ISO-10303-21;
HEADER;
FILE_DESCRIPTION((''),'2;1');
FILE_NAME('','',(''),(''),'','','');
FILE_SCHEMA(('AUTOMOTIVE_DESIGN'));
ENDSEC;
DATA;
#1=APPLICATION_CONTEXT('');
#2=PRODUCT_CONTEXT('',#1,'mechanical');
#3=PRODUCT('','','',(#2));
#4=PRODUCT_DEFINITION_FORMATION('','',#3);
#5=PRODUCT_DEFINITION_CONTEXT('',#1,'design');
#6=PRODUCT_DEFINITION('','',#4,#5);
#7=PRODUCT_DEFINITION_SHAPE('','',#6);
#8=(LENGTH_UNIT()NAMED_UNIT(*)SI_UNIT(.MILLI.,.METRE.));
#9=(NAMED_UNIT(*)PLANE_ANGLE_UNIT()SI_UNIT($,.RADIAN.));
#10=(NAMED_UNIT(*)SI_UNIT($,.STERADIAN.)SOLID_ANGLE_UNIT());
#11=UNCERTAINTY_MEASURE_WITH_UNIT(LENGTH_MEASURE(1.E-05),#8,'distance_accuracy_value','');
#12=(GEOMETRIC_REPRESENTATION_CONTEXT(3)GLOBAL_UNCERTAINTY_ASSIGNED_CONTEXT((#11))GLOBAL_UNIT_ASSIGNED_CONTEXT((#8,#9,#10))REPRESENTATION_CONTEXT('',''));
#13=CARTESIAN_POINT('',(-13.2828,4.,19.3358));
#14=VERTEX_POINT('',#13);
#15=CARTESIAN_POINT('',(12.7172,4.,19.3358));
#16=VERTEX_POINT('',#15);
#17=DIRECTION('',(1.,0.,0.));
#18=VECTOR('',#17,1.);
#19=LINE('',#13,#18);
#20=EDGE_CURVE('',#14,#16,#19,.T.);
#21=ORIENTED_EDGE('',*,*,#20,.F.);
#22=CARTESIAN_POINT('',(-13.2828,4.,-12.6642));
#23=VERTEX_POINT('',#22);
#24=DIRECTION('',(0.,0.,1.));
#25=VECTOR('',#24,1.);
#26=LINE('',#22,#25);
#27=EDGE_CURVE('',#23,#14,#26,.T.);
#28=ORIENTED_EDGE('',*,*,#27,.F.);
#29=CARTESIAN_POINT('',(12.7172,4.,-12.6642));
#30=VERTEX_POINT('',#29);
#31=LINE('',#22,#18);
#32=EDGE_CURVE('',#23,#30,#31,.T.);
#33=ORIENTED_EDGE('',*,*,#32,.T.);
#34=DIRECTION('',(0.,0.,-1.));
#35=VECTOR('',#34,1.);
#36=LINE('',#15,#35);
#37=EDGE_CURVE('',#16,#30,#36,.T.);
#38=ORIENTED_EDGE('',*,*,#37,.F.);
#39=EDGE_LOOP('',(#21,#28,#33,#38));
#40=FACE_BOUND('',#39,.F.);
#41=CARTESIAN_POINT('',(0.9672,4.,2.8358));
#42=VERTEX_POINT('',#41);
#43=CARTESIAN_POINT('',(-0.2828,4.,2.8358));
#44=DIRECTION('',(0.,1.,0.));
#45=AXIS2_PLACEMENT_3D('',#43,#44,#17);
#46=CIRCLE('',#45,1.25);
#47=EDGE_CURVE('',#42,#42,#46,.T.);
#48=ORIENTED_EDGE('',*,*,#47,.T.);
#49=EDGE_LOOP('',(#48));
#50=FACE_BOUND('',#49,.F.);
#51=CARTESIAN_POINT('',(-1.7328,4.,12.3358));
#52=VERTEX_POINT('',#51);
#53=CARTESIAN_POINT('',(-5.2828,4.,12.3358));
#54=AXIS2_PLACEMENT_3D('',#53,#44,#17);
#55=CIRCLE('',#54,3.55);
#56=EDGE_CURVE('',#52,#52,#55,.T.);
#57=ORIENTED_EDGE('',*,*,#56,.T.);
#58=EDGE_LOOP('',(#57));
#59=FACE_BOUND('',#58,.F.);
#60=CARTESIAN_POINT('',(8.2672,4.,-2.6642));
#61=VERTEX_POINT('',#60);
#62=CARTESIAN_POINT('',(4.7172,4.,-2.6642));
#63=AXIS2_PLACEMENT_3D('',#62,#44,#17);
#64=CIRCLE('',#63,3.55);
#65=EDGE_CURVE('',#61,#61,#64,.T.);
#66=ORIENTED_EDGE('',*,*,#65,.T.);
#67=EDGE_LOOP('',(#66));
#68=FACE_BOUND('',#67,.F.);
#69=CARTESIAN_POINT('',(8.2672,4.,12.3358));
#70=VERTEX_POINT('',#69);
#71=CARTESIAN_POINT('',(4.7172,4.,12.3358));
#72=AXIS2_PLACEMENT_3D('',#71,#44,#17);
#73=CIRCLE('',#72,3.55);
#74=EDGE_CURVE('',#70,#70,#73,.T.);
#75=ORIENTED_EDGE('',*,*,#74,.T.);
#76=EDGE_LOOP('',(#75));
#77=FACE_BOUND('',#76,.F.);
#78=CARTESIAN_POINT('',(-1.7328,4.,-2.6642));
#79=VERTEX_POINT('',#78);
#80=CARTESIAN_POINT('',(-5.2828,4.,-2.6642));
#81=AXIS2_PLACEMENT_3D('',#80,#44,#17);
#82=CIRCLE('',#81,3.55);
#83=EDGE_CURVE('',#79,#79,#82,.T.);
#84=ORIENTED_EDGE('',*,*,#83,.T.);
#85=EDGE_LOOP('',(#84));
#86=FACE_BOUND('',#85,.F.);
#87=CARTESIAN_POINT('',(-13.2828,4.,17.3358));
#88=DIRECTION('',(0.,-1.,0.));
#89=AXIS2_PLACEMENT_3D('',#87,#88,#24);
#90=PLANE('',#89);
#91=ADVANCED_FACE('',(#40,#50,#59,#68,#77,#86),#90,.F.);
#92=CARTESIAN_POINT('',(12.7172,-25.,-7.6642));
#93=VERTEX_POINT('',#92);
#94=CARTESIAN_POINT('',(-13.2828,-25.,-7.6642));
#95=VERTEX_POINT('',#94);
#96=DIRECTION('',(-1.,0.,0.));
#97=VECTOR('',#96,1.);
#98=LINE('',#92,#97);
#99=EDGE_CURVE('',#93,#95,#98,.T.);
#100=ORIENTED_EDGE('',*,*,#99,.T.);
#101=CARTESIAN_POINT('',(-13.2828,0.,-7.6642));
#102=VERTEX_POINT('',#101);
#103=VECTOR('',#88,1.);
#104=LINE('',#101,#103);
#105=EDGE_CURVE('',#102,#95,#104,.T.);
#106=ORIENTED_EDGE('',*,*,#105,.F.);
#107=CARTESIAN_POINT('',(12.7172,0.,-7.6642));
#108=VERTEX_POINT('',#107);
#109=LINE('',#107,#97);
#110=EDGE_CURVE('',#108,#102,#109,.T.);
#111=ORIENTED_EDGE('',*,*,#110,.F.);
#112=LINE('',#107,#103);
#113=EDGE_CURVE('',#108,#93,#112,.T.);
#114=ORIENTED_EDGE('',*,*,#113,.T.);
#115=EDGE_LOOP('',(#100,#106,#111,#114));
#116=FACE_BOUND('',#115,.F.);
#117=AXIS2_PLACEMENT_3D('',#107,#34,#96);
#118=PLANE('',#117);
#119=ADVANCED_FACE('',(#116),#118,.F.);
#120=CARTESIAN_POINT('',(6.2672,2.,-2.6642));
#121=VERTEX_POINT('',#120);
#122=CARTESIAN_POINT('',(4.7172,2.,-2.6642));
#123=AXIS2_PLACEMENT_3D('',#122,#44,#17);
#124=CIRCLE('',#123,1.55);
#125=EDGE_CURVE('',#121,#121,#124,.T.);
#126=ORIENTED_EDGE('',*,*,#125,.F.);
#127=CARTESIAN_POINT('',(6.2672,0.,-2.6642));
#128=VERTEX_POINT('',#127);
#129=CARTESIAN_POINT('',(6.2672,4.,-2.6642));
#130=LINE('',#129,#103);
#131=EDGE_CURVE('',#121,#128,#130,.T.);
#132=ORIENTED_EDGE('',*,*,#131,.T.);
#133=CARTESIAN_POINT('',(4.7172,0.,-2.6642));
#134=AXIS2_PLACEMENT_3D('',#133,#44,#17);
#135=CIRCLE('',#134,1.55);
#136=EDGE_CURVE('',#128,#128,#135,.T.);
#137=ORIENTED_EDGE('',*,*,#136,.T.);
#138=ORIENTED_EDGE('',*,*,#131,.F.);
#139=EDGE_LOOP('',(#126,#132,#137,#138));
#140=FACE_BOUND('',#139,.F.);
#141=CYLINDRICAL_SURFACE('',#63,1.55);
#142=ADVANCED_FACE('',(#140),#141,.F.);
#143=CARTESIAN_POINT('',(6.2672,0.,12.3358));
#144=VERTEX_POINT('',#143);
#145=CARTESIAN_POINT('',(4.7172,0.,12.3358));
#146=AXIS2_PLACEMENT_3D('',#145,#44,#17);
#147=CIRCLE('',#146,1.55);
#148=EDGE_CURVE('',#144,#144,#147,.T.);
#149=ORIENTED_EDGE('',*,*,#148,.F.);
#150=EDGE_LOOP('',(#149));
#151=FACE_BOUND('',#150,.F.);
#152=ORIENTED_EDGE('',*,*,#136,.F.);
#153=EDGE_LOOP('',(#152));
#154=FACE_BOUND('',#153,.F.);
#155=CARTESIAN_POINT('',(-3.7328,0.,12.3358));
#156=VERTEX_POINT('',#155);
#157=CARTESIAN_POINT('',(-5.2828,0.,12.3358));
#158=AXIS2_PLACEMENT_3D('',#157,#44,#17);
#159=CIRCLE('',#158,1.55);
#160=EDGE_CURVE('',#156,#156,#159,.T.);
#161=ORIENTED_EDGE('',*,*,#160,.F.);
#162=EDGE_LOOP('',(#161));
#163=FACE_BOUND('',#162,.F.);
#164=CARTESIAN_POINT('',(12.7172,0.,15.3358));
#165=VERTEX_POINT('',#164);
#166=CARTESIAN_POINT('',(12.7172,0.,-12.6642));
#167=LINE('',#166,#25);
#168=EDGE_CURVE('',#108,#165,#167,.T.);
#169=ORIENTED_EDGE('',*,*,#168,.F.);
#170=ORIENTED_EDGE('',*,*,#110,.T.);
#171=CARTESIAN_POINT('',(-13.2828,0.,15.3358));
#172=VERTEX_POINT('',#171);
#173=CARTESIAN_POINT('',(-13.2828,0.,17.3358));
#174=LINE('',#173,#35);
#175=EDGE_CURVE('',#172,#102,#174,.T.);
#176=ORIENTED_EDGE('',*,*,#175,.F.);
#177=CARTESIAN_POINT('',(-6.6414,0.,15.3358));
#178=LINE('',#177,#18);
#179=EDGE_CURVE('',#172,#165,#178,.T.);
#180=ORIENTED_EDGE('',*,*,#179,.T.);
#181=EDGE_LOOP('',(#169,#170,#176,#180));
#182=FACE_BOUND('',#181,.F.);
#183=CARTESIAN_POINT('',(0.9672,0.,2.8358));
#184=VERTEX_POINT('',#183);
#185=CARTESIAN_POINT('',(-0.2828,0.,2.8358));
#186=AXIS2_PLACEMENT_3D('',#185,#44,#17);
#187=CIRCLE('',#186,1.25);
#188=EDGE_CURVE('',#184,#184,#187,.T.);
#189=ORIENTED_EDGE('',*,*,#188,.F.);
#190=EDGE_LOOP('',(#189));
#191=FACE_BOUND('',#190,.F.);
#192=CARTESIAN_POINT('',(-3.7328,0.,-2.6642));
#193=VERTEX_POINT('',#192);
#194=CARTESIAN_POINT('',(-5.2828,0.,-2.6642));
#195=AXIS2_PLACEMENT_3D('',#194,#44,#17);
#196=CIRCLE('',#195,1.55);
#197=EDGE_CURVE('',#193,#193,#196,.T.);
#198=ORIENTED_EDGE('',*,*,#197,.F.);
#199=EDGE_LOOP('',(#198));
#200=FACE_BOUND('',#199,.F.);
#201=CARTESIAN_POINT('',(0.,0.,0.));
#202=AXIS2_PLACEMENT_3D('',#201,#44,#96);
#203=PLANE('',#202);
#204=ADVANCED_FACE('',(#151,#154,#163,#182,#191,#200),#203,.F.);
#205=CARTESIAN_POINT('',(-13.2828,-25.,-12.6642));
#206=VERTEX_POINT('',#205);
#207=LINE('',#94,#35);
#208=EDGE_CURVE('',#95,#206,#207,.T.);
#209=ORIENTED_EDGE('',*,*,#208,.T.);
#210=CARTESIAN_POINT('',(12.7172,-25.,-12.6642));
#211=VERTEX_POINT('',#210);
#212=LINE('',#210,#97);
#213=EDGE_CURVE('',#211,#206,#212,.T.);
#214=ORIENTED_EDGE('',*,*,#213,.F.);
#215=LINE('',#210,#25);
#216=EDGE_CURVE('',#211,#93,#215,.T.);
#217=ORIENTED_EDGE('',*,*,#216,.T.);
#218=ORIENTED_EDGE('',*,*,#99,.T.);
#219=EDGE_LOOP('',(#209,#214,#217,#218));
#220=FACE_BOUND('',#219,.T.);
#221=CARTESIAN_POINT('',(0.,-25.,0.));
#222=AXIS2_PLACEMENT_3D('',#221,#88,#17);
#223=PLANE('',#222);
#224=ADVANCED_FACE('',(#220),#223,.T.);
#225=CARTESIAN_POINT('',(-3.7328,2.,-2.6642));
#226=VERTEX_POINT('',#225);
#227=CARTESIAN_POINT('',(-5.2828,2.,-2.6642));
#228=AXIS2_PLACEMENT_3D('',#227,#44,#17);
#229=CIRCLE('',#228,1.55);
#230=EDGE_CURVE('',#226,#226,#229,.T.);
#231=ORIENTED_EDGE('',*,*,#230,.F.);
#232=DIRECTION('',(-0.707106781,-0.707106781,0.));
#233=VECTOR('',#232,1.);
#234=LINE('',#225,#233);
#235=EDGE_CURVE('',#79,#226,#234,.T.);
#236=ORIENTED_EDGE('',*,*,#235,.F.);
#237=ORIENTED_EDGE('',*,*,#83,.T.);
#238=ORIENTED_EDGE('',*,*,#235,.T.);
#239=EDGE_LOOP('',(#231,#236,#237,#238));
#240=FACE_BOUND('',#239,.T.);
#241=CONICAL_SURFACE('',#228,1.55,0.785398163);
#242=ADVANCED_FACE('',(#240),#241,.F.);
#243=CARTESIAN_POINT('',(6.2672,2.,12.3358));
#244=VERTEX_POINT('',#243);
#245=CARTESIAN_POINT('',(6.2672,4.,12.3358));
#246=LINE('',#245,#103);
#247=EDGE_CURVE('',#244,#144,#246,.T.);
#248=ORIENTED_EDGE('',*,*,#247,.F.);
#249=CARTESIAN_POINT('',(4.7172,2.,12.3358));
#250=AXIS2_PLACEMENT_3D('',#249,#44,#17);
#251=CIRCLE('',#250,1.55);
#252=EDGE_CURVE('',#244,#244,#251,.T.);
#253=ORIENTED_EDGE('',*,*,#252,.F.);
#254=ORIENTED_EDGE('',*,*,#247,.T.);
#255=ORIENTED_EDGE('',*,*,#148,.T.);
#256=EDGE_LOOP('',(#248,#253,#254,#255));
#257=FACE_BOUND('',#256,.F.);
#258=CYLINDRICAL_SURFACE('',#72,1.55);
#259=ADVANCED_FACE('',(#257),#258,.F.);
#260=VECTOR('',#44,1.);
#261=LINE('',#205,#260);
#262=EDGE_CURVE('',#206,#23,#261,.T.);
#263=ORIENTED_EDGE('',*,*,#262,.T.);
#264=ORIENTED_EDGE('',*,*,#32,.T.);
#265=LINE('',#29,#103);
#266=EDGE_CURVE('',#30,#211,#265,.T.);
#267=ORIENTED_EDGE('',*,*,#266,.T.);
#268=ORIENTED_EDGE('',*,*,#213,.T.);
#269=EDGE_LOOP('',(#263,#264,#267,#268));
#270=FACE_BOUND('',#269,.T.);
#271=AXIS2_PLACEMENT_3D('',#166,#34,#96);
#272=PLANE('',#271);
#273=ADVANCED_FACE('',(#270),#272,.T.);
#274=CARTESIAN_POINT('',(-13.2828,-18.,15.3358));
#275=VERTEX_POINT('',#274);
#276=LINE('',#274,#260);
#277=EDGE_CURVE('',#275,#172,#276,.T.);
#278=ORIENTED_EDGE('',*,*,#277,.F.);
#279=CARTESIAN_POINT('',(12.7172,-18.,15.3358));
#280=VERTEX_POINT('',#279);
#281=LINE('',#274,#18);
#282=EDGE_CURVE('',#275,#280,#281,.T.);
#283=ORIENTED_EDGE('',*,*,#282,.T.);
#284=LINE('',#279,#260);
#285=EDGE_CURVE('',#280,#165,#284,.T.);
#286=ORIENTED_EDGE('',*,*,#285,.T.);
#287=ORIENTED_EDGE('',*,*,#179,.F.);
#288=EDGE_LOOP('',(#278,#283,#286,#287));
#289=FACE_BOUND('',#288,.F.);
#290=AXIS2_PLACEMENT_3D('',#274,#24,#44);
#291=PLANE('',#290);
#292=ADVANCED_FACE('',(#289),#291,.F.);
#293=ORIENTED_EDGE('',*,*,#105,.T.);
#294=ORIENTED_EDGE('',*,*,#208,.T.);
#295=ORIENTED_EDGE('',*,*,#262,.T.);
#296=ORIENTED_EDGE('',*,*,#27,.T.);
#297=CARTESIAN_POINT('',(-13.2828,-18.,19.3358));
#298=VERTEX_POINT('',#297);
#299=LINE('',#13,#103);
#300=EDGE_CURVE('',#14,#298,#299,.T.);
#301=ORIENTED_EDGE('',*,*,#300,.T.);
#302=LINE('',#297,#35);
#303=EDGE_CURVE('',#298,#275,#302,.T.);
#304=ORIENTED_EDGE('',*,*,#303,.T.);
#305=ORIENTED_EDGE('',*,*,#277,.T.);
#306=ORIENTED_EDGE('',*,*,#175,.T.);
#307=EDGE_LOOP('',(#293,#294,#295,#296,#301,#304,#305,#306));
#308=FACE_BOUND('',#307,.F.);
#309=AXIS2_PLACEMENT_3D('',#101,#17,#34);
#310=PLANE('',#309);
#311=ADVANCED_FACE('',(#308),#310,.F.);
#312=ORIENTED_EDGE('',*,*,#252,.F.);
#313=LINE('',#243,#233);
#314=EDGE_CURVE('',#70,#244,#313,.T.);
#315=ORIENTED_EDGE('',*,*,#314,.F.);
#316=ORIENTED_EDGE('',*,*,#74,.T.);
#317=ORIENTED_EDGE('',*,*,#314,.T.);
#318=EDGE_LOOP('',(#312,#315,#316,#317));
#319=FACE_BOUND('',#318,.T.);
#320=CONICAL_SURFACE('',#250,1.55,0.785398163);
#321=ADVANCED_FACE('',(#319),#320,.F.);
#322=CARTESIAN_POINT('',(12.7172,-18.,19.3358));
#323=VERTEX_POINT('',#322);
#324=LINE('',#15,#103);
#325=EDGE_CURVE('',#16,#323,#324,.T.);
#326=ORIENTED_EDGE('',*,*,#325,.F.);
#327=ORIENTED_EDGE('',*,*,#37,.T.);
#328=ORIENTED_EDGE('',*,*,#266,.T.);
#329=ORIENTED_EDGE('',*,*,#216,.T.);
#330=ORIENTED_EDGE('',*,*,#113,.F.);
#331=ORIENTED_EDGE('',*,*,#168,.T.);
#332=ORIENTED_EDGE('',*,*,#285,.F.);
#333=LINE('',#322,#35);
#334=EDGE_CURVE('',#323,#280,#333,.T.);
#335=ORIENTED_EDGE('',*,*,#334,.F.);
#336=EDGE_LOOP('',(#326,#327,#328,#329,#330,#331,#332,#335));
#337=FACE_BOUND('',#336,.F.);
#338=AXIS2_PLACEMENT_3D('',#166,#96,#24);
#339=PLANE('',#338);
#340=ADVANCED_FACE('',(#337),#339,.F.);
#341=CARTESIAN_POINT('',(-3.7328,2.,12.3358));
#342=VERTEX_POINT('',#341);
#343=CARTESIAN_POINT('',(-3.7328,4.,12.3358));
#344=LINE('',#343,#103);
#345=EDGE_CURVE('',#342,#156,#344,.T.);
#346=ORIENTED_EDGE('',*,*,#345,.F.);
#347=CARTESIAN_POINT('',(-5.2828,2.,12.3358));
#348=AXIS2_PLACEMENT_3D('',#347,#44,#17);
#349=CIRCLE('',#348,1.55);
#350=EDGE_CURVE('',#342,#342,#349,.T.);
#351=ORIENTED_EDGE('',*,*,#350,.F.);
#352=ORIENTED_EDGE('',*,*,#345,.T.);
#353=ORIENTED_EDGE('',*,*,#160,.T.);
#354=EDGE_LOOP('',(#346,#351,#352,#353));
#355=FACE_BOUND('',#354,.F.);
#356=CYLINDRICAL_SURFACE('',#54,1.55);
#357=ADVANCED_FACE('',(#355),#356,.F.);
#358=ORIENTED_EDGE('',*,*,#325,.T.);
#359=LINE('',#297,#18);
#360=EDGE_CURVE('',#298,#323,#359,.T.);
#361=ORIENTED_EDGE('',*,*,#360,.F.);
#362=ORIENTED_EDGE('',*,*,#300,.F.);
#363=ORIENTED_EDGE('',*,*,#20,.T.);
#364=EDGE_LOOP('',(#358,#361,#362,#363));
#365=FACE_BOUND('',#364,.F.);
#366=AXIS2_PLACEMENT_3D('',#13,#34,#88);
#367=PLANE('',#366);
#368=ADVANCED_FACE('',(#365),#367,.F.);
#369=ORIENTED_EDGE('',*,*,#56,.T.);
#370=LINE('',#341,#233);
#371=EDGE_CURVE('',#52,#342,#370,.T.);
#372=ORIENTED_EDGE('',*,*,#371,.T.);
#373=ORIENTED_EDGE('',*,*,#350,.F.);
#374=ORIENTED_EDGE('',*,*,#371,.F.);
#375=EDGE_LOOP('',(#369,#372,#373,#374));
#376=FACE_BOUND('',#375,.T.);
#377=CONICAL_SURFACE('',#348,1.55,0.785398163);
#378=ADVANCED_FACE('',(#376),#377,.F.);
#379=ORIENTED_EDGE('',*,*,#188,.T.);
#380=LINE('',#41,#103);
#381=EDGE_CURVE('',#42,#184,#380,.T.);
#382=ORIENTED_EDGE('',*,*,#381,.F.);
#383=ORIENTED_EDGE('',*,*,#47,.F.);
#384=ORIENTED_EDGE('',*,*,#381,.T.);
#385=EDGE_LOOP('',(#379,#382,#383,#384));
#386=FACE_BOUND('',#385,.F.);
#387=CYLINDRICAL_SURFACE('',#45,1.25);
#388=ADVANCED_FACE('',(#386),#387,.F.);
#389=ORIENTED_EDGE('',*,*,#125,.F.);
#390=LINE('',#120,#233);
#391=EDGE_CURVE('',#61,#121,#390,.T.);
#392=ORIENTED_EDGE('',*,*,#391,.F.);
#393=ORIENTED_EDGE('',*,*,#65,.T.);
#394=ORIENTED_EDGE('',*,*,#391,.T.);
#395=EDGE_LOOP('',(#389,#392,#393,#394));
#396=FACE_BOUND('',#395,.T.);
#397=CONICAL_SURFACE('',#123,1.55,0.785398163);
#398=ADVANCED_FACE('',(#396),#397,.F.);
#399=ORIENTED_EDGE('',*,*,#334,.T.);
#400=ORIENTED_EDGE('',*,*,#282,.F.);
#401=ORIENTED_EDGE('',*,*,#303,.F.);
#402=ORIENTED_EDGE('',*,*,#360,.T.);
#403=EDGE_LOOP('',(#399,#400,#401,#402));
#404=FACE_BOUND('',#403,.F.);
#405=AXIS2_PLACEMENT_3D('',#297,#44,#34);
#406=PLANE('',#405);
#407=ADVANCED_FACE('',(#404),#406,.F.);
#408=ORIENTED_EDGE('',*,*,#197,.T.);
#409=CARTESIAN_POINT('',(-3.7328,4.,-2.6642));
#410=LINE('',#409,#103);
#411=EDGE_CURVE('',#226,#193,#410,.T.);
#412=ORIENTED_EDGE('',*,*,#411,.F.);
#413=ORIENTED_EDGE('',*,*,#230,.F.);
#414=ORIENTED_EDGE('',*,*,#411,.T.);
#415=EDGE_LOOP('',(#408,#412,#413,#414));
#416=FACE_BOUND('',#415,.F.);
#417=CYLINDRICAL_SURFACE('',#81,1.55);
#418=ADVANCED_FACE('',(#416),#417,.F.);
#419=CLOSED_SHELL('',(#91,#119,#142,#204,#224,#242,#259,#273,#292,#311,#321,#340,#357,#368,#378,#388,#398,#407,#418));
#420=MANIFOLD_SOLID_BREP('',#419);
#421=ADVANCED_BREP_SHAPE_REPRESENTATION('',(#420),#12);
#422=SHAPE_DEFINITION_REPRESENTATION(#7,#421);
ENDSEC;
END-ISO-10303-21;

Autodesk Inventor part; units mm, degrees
ref_plane "YZ Plane" through (0, 0, 0) normal (1, 0, 0) x (0, 1, 0)
ref_plane "XZ Plane" through (0, 0, 0) normal (0, 1, 0) x (-1, 0, 0)
ref_plane "XY Plane" through (0, 0, 0) normal (0, 0, 1) x (1, 0, 0)
sketch "Sketch1" plane through (0, 0, 0) normal (0, 1, 0) x (-1, 0, 0)
  line L0 (13.2828, -12.6642) -> (-12.7172, -12.6642)
  line L1 (-12.7172, -12.6642) -> (-12.7172, 17.3358)
  line L2 (-12.7172, 17.3358) -> (13.2828, 17.3358)
  line L3 (13.2828, 17.3358) -> (13.2828, -12.6642)
  point P0 (0, 0)
  dimension "d0" = 26
  dimension "d1" = 30
extrude "Extrusion1" add sketch "Sketch1" along normal blind 4
sketch "Sketch2" plane through (0, 4, 0) normal (0, 1, 0) x (1, 0, 0)
  circle A0 centre (-5.2828, 2.6642) radius 1.55
  circle A1 centre (4.7172, 2.6642) radius 1.55
  circle A2 centre (-5.2828, -12.3358) radius 1.55
  circle A3 centre (4.7172, -12.3358) radius 1.55
  line L0 (-13.2828, -17.3358) -> (12.7172, -17.3358) projected
  line L1 (-13.2828, 12.6642) -> (-13.2828, -17.3358) projected
  point P0 (0, 0)
  dimension "d4" = 3.1
  dimension "d5" = 3.1
  dimension "d6" = 3.1
  dimension "d7" = 3.1
  dimension "d8" = 10
  dimension "d9" = 10
  dimension "d10" = 15
  dimension "d11" = 15
  dimension "d12" = 5
  dimension "d13" = 5
  dimension "d14" = 8
  dimension "d15" = 8
extrude "Extrusion2" cut sketch "Sketch2" against normal through all
sketch "Sketch3" plane through (0, 0, 0) normal (0, -1, 0) x (1, 0, 0)
  point P0 (0, 0)
sketch "Sketch4" plane through (-13.2828, 0, -12.6642) normal (-1, 0, 0) x (0, 0, 1)
  line L0 (30, 4) -> (0, 4) projected
  line L1 (28, 4) -> (32, 4)
  line L2 (32, 4) -> (32, -18)
  line L3 (32, -18) -> (28, -18)
  line L4 (28, -18) -> (28, 4)
  line L5 (30, 0) -> (30, 4) projected
  point P0 (12.6642, 0)
  dimension "d18" = 2
  dimension "d19" = 4
  dimension "d20" = 22
extrude "Extrusion3" add sketch "Sketch4" against normal up to surface (26 mm away)
chamfer "Chamfer1" distance 2 angle 45 4 edges at (-6.8328, 4, 12.3358) (3.1672, 4, 12.3358) (-6.8328, 4, -2.6642) (3.1672, 4, -2.6642)
sketch "Sketch5" plane through (0, 4, 0) normal (0, 1, 0) x (1, 0, 0)
  circle A0 centre (-0.2828, -2.8358) radius 1.25
  line L0 (12.7172, 12.6642) -> (-13.2828, 12.6642) projected
  line L1 (-13.2828, 12.6642) -> (-13.2828, -19.3358) projected
  point P0 (0, 0)
  dimension "d26" = 2.5
  dimension "d27" = 15.5
  dimension "d28" = 13
extrude "Extrusion4" cut sketch "Sketch5" against normal through all
sketch "Sketch6" plane through (0, 0, 0) normal (0, -1, 0) x (1, 0, 0)
  line L0 (12.7172, -12.6642) -> (-13.2828, -12.6642) projected
  line L1 (-13.2828, -12.6642) -> (12.7172, -12.6642)
  line L2 (12.7172, -12.6642) -> (12.7172, -7.6642)
  line L3 (12.7172, -7.6642) -> (-13.2828, -7.6642)
  line L4 (-13.2828, -7.6642) -> (-13.2828, -12.6642)
  point P0 (0, 0)
  dimension "d31" = 5
extrude "Extrusion5" add sketch "Sketch6" along normal blind 25
properties part number "grantry_holder_R"
